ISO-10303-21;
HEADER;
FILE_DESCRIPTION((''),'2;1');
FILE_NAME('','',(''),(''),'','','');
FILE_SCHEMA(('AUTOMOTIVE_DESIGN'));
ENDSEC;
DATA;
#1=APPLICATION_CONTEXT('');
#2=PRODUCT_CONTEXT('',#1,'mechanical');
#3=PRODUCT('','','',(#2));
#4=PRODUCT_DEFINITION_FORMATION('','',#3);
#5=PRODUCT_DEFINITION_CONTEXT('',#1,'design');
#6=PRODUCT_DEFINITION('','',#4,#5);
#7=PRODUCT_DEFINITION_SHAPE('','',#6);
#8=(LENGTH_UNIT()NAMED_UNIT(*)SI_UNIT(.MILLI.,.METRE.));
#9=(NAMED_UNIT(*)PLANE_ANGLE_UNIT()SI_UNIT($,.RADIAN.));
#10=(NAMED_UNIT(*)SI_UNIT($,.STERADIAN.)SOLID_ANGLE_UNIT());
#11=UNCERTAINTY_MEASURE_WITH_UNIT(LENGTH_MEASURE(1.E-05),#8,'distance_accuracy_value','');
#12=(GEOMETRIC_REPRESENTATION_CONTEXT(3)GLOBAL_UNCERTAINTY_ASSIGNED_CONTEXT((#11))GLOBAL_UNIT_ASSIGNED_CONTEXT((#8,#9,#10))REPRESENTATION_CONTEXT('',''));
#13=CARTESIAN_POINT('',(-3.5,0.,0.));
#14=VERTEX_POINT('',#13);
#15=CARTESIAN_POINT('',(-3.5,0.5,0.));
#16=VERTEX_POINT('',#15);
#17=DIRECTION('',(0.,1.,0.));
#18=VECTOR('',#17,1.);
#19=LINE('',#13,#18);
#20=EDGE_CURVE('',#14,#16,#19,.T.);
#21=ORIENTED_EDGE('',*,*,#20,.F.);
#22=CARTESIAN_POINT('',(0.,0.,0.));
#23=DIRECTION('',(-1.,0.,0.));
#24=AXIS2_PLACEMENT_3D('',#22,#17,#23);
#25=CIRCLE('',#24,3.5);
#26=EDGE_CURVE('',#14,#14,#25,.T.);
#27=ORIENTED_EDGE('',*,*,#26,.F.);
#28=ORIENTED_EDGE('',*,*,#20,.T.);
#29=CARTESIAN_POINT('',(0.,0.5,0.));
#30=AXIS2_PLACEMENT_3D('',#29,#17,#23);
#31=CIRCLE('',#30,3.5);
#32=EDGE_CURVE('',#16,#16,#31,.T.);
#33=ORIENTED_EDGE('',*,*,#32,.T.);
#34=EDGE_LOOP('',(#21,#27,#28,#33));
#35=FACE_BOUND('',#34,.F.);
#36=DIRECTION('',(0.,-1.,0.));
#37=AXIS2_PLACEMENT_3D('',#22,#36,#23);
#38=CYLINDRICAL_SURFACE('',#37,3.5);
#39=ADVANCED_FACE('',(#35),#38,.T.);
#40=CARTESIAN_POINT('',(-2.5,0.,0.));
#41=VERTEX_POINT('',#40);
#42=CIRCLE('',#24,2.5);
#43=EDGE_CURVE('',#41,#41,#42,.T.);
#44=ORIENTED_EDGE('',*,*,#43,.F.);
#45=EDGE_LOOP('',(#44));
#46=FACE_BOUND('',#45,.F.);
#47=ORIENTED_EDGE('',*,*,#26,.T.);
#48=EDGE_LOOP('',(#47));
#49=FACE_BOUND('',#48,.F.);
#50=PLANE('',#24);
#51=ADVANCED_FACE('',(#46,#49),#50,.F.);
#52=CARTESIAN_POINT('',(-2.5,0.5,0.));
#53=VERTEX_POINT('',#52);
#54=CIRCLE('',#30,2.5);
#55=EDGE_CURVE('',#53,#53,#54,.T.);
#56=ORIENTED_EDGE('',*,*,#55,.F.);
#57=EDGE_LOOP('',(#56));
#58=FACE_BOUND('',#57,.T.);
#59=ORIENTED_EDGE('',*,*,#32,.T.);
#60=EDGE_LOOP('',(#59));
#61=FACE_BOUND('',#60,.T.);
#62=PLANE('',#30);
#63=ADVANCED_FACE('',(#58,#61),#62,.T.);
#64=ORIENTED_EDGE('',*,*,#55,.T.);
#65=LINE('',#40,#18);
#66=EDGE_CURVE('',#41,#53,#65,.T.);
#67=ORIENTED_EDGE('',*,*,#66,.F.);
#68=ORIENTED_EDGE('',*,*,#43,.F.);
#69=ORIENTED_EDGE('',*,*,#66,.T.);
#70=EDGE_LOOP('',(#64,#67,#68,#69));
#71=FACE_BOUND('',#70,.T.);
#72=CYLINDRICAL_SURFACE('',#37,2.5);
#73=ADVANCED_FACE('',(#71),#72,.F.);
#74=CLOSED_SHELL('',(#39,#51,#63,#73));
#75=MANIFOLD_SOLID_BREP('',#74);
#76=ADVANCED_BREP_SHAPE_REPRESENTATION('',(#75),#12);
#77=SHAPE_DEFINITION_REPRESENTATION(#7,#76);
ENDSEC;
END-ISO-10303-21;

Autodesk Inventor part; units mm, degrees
ref_plane "YZ Plane" through (0, 0, 0) normal (1, 0, 0) x (0, 1, 0)
ref_plane "XZ Plane" through (0, 0, 0) normal (0, 1, 0) x (-1, 0, 0)
ref_plane "XY Plane" through (0, 0, 0) normal (0, 0, 1) x (1, 0, 0)
sketch "Sketch1" plane through (0, 0, 0) normal (0, 1, 0) x (-1, 0, 0)
  circle A0 centre (0, 0) radius 2.5
  circle A1 centre (0, 0) radius 3.5
  dimension "d0" = 5
  dimension "d1" = 7
extrude "Extrusion1" add sketch "Sketch1" along normal blind 0.5
properties part number "Bearing_Belt_Distance_Sleeve"
